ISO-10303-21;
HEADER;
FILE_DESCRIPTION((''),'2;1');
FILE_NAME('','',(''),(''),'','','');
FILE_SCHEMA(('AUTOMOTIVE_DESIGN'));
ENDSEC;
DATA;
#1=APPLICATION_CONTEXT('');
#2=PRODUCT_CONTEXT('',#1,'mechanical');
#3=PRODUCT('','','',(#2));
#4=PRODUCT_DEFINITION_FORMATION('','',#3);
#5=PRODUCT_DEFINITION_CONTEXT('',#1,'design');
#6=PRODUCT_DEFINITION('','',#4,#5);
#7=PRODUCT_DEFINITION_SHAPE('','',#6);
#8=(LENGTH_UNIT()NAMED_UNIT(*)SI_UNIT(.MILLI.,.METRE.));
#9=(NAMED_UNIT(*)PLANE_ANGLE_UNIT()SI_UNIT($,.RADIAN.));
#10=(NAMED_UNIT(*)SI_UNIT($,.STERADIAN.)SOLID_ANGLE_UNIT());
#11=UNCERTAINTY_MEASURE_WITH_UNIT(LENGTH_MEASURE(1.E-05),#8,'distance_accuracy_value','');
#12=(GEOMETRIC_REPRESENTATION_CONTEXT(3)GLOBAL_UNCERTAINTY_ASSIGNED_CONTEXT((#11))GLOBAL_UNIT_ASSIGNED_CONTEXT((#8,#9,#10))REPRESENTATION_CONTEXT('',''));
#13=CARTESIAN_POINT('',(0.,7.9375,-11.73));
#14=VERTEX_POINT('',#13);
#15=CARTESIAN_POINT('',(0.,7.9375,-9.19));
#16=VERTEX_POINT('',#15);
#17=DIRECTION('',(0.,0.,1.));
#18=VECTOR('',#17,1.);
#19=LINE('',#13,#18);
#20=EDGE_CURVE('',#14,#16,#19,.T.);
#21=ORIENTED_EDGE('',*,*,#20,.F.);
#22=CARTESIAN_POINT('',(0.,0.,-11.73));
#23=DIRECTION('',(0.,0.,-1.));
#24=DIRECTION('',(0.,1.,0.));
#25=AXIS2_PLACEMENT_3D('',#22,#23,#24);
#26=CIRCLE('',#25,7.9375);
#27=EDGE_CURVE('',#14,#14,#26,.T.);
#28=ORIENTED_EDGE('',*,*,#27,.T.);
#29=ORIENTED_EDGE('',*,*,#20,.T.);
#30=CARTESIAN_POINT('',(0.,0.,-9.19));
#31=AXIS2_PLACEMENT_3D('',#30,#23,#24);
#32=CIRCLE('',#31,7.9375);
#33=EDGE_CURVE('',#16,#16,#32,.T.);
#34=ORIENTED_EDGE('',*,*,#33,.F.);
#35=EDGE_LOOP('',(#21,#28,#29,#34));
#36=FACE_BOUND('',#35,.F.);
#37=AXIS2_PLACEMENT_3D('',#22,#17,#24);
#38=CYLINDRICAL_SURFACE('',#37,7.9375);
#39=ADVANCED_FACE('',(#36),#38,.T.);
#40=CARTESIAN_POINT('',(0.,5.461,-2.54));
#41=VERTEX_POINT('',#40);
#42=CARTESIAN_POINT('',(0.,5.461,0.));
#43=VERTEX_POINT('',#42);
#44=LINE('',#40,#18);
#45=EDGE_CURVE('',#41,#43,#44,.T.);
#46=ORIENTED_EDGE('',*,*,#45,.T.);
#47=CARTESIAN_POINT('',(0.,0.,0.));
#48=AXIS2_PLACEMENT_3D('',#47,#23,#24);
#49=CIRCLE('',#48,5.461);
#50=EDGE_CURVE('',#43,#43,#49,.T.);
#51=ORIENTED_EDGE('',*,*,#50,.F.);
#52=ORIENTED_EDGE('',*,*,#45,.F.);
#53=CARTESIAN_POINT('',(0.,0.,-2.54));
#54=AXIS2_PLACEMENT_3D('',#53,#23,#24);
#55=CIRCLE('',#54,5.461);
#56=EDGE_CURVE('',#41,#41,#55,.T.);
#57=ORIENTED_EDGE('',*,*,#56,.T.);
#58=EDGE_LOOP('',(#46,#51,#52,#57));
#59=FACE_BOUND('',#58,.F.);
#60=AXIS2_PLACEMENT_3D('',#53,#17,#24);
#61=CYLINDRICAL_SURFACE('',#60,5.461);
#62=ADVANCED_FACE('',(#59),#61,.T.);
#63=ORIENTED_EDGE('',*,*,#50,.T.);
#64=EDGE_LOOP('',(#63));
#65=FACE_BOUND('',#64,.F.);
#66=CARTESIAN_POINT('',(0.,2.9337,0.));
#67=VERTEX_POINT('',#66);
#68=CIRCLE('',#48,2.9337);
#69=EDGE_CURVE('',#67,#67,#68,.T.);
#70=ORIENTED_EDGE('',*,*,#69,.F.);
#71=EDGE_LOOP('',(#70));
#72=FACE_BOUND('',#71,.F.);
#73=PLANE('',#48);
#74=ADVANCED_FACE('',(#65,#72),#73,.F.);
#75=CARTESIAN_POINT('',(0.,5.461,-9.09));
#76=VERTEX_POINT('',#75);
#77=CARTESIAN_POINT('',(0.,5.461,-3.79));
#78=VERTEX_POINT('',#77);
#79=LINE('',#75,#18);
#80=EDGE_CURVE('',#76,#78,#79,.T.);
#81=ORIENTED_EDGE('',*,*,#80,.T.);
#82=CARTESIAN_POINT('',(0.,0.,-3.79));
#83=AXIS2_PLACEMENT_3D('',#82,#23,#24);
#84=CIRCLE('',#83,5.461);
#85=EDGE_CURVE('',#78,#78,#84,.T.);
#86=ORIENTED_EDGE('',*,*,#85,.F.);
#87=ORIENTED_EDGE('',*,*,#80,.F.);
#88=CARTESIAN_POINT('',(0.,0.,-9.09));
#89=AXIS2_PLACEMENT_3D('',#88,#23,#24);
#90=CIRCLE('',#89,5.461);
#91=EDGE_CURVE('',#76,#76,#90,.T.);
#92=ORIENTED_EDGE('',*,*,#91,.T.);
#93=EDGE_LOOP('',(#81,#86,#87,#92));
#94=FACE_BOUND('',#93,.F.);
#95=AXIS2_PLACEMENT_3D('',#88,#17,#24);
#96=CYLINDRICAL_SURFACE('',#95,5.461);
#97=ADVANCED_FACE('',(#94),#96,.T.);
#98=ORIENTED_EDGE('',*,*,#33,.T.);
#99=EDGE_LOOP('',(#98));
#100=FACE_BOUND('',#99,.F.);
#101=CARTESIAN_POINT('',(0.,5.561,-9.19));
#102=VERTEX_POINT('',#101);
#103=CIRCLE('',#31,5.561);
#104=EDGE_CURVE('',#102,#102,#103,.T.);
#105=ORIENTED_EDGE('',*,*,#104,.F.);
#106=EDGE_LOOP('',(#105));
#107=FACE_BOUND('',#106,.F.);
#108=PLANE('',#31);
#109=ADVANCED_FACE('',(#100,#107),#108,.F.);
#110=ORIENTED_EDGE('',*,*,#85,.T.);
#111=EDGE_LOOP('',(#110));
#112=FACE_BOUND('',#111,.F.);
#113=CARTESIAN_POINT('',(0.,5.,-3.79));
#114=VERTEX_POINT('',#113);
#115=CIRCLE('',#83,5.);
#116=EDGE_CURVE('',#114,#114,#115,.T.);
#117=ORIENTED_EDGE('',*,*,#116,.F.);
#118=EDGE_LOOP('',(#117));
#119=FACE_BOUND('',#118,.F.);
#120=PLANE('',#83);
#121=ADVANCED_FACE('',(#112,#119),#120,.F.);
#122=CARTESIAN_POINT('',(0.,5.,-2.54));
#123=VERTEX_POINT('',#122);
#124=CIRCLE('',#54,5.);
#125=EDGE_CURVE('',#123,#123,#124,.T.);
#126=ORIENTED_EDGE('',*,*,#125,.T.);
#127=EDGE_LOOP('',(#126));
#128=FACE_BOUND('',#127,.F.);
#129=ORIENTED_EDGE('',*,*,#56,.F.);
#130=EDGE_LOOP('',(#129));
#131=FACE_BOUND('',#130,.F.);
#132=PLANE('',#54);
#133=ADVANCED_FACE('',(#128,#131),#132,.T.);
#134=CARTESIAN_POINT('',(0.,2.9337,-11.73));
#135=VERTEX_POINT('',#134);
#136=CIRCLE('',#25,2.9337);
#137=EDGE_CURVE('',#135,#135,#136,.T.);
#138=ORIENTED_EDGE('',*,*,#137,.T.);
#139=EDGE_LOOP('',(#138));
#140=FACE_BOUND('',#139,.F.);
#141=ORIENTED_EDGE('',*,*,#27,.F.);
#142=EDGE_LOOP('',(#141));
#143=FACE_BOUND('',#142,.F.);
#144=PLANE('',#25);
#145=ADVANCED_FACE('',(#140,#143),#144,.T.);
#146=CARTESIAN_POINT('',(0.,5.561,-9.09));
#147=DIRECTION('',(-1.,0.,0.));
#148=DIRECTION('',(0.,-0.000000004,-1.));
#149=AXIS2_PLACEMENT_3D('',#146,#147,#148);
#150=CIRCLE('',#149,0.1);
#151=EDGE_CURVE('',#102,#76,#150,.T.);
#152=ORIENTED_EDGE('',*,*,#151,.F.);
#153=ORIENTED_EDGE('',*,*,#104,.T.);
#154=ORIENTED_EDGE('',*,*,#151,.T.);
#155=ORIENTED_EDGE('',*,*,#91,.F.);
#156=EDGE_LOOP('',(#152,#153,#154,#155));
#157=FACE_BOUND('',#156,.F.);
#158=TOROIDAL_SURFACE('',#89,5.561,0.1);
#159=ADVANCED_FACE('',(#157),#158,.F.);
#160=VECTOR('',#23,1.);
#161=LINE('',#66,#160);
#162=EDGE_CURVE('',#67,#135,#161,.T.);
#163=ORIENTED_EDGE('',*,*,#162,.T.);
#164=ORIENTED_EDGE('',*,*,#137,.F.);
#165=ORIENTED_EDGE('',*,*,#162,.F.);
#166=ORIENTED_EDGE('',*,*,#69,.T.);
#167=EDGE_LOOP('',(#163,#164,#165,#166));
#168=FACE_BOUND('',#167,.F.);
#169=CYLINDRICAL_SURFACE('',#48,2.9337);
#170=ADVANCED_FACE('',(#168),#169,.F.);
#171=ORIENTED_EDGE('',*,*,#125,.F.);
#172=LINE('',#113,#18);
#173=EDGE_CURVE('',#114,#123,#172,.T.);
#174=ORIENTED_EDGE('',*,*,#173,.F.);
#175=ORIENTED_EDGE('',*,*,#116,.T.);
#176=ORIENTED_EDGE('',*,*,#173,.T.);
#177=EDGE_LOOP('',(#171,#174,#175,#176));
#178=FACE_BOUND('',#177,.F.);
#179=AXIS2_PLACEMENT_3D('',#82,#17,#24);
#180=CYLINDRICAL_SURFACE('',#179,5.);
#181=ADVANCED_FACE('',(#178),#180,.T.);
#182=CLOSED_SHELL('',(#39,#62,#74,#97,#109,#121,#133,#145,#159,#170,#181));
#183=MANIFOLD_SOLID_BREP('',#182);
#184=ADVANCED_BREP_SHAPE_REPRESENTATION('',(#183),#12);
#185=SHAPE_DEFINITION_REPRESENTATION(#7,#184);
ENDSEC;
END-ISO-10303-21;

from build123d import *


with BuildPart() as part:
    # Sketch1 → Revolve1 (revolve)
    with BuildSketch(Plane(origin=(0, 0, 0), x_dir=(0, 0, -1), z_dir=(1, 0, 0))):
        with BuildLine():
            Line((0, 2.9337), (11.73, 2.9337))
            Line((11.73, 2.9337), (11.73, 7.9375))
            Line((11.73, 7.9375), (9.19, 7.9375))
            Line((9.19, 7.9375), (9.19, 5.561))
            ThreePointArc((9.19, 5.561), (9.160710678, 5.490289322), (9.09, 5.461))
            Line((9.09, 5.461), (3.79, 5.461))
            Line((3.79, 5.461), (3.79, 5))
            Line((3.79, 5), (2.54, 5))
            Line((2.54, 5), (2.54, 5.461))
            Line((2.54, 5.461), (0, 5.461))
            Line((0, 5.461), (0, 2.9337))
        make_face()
    revolve(axis=Axis((0, 0, 0), (0, 0, -1)))


solid = part.part
